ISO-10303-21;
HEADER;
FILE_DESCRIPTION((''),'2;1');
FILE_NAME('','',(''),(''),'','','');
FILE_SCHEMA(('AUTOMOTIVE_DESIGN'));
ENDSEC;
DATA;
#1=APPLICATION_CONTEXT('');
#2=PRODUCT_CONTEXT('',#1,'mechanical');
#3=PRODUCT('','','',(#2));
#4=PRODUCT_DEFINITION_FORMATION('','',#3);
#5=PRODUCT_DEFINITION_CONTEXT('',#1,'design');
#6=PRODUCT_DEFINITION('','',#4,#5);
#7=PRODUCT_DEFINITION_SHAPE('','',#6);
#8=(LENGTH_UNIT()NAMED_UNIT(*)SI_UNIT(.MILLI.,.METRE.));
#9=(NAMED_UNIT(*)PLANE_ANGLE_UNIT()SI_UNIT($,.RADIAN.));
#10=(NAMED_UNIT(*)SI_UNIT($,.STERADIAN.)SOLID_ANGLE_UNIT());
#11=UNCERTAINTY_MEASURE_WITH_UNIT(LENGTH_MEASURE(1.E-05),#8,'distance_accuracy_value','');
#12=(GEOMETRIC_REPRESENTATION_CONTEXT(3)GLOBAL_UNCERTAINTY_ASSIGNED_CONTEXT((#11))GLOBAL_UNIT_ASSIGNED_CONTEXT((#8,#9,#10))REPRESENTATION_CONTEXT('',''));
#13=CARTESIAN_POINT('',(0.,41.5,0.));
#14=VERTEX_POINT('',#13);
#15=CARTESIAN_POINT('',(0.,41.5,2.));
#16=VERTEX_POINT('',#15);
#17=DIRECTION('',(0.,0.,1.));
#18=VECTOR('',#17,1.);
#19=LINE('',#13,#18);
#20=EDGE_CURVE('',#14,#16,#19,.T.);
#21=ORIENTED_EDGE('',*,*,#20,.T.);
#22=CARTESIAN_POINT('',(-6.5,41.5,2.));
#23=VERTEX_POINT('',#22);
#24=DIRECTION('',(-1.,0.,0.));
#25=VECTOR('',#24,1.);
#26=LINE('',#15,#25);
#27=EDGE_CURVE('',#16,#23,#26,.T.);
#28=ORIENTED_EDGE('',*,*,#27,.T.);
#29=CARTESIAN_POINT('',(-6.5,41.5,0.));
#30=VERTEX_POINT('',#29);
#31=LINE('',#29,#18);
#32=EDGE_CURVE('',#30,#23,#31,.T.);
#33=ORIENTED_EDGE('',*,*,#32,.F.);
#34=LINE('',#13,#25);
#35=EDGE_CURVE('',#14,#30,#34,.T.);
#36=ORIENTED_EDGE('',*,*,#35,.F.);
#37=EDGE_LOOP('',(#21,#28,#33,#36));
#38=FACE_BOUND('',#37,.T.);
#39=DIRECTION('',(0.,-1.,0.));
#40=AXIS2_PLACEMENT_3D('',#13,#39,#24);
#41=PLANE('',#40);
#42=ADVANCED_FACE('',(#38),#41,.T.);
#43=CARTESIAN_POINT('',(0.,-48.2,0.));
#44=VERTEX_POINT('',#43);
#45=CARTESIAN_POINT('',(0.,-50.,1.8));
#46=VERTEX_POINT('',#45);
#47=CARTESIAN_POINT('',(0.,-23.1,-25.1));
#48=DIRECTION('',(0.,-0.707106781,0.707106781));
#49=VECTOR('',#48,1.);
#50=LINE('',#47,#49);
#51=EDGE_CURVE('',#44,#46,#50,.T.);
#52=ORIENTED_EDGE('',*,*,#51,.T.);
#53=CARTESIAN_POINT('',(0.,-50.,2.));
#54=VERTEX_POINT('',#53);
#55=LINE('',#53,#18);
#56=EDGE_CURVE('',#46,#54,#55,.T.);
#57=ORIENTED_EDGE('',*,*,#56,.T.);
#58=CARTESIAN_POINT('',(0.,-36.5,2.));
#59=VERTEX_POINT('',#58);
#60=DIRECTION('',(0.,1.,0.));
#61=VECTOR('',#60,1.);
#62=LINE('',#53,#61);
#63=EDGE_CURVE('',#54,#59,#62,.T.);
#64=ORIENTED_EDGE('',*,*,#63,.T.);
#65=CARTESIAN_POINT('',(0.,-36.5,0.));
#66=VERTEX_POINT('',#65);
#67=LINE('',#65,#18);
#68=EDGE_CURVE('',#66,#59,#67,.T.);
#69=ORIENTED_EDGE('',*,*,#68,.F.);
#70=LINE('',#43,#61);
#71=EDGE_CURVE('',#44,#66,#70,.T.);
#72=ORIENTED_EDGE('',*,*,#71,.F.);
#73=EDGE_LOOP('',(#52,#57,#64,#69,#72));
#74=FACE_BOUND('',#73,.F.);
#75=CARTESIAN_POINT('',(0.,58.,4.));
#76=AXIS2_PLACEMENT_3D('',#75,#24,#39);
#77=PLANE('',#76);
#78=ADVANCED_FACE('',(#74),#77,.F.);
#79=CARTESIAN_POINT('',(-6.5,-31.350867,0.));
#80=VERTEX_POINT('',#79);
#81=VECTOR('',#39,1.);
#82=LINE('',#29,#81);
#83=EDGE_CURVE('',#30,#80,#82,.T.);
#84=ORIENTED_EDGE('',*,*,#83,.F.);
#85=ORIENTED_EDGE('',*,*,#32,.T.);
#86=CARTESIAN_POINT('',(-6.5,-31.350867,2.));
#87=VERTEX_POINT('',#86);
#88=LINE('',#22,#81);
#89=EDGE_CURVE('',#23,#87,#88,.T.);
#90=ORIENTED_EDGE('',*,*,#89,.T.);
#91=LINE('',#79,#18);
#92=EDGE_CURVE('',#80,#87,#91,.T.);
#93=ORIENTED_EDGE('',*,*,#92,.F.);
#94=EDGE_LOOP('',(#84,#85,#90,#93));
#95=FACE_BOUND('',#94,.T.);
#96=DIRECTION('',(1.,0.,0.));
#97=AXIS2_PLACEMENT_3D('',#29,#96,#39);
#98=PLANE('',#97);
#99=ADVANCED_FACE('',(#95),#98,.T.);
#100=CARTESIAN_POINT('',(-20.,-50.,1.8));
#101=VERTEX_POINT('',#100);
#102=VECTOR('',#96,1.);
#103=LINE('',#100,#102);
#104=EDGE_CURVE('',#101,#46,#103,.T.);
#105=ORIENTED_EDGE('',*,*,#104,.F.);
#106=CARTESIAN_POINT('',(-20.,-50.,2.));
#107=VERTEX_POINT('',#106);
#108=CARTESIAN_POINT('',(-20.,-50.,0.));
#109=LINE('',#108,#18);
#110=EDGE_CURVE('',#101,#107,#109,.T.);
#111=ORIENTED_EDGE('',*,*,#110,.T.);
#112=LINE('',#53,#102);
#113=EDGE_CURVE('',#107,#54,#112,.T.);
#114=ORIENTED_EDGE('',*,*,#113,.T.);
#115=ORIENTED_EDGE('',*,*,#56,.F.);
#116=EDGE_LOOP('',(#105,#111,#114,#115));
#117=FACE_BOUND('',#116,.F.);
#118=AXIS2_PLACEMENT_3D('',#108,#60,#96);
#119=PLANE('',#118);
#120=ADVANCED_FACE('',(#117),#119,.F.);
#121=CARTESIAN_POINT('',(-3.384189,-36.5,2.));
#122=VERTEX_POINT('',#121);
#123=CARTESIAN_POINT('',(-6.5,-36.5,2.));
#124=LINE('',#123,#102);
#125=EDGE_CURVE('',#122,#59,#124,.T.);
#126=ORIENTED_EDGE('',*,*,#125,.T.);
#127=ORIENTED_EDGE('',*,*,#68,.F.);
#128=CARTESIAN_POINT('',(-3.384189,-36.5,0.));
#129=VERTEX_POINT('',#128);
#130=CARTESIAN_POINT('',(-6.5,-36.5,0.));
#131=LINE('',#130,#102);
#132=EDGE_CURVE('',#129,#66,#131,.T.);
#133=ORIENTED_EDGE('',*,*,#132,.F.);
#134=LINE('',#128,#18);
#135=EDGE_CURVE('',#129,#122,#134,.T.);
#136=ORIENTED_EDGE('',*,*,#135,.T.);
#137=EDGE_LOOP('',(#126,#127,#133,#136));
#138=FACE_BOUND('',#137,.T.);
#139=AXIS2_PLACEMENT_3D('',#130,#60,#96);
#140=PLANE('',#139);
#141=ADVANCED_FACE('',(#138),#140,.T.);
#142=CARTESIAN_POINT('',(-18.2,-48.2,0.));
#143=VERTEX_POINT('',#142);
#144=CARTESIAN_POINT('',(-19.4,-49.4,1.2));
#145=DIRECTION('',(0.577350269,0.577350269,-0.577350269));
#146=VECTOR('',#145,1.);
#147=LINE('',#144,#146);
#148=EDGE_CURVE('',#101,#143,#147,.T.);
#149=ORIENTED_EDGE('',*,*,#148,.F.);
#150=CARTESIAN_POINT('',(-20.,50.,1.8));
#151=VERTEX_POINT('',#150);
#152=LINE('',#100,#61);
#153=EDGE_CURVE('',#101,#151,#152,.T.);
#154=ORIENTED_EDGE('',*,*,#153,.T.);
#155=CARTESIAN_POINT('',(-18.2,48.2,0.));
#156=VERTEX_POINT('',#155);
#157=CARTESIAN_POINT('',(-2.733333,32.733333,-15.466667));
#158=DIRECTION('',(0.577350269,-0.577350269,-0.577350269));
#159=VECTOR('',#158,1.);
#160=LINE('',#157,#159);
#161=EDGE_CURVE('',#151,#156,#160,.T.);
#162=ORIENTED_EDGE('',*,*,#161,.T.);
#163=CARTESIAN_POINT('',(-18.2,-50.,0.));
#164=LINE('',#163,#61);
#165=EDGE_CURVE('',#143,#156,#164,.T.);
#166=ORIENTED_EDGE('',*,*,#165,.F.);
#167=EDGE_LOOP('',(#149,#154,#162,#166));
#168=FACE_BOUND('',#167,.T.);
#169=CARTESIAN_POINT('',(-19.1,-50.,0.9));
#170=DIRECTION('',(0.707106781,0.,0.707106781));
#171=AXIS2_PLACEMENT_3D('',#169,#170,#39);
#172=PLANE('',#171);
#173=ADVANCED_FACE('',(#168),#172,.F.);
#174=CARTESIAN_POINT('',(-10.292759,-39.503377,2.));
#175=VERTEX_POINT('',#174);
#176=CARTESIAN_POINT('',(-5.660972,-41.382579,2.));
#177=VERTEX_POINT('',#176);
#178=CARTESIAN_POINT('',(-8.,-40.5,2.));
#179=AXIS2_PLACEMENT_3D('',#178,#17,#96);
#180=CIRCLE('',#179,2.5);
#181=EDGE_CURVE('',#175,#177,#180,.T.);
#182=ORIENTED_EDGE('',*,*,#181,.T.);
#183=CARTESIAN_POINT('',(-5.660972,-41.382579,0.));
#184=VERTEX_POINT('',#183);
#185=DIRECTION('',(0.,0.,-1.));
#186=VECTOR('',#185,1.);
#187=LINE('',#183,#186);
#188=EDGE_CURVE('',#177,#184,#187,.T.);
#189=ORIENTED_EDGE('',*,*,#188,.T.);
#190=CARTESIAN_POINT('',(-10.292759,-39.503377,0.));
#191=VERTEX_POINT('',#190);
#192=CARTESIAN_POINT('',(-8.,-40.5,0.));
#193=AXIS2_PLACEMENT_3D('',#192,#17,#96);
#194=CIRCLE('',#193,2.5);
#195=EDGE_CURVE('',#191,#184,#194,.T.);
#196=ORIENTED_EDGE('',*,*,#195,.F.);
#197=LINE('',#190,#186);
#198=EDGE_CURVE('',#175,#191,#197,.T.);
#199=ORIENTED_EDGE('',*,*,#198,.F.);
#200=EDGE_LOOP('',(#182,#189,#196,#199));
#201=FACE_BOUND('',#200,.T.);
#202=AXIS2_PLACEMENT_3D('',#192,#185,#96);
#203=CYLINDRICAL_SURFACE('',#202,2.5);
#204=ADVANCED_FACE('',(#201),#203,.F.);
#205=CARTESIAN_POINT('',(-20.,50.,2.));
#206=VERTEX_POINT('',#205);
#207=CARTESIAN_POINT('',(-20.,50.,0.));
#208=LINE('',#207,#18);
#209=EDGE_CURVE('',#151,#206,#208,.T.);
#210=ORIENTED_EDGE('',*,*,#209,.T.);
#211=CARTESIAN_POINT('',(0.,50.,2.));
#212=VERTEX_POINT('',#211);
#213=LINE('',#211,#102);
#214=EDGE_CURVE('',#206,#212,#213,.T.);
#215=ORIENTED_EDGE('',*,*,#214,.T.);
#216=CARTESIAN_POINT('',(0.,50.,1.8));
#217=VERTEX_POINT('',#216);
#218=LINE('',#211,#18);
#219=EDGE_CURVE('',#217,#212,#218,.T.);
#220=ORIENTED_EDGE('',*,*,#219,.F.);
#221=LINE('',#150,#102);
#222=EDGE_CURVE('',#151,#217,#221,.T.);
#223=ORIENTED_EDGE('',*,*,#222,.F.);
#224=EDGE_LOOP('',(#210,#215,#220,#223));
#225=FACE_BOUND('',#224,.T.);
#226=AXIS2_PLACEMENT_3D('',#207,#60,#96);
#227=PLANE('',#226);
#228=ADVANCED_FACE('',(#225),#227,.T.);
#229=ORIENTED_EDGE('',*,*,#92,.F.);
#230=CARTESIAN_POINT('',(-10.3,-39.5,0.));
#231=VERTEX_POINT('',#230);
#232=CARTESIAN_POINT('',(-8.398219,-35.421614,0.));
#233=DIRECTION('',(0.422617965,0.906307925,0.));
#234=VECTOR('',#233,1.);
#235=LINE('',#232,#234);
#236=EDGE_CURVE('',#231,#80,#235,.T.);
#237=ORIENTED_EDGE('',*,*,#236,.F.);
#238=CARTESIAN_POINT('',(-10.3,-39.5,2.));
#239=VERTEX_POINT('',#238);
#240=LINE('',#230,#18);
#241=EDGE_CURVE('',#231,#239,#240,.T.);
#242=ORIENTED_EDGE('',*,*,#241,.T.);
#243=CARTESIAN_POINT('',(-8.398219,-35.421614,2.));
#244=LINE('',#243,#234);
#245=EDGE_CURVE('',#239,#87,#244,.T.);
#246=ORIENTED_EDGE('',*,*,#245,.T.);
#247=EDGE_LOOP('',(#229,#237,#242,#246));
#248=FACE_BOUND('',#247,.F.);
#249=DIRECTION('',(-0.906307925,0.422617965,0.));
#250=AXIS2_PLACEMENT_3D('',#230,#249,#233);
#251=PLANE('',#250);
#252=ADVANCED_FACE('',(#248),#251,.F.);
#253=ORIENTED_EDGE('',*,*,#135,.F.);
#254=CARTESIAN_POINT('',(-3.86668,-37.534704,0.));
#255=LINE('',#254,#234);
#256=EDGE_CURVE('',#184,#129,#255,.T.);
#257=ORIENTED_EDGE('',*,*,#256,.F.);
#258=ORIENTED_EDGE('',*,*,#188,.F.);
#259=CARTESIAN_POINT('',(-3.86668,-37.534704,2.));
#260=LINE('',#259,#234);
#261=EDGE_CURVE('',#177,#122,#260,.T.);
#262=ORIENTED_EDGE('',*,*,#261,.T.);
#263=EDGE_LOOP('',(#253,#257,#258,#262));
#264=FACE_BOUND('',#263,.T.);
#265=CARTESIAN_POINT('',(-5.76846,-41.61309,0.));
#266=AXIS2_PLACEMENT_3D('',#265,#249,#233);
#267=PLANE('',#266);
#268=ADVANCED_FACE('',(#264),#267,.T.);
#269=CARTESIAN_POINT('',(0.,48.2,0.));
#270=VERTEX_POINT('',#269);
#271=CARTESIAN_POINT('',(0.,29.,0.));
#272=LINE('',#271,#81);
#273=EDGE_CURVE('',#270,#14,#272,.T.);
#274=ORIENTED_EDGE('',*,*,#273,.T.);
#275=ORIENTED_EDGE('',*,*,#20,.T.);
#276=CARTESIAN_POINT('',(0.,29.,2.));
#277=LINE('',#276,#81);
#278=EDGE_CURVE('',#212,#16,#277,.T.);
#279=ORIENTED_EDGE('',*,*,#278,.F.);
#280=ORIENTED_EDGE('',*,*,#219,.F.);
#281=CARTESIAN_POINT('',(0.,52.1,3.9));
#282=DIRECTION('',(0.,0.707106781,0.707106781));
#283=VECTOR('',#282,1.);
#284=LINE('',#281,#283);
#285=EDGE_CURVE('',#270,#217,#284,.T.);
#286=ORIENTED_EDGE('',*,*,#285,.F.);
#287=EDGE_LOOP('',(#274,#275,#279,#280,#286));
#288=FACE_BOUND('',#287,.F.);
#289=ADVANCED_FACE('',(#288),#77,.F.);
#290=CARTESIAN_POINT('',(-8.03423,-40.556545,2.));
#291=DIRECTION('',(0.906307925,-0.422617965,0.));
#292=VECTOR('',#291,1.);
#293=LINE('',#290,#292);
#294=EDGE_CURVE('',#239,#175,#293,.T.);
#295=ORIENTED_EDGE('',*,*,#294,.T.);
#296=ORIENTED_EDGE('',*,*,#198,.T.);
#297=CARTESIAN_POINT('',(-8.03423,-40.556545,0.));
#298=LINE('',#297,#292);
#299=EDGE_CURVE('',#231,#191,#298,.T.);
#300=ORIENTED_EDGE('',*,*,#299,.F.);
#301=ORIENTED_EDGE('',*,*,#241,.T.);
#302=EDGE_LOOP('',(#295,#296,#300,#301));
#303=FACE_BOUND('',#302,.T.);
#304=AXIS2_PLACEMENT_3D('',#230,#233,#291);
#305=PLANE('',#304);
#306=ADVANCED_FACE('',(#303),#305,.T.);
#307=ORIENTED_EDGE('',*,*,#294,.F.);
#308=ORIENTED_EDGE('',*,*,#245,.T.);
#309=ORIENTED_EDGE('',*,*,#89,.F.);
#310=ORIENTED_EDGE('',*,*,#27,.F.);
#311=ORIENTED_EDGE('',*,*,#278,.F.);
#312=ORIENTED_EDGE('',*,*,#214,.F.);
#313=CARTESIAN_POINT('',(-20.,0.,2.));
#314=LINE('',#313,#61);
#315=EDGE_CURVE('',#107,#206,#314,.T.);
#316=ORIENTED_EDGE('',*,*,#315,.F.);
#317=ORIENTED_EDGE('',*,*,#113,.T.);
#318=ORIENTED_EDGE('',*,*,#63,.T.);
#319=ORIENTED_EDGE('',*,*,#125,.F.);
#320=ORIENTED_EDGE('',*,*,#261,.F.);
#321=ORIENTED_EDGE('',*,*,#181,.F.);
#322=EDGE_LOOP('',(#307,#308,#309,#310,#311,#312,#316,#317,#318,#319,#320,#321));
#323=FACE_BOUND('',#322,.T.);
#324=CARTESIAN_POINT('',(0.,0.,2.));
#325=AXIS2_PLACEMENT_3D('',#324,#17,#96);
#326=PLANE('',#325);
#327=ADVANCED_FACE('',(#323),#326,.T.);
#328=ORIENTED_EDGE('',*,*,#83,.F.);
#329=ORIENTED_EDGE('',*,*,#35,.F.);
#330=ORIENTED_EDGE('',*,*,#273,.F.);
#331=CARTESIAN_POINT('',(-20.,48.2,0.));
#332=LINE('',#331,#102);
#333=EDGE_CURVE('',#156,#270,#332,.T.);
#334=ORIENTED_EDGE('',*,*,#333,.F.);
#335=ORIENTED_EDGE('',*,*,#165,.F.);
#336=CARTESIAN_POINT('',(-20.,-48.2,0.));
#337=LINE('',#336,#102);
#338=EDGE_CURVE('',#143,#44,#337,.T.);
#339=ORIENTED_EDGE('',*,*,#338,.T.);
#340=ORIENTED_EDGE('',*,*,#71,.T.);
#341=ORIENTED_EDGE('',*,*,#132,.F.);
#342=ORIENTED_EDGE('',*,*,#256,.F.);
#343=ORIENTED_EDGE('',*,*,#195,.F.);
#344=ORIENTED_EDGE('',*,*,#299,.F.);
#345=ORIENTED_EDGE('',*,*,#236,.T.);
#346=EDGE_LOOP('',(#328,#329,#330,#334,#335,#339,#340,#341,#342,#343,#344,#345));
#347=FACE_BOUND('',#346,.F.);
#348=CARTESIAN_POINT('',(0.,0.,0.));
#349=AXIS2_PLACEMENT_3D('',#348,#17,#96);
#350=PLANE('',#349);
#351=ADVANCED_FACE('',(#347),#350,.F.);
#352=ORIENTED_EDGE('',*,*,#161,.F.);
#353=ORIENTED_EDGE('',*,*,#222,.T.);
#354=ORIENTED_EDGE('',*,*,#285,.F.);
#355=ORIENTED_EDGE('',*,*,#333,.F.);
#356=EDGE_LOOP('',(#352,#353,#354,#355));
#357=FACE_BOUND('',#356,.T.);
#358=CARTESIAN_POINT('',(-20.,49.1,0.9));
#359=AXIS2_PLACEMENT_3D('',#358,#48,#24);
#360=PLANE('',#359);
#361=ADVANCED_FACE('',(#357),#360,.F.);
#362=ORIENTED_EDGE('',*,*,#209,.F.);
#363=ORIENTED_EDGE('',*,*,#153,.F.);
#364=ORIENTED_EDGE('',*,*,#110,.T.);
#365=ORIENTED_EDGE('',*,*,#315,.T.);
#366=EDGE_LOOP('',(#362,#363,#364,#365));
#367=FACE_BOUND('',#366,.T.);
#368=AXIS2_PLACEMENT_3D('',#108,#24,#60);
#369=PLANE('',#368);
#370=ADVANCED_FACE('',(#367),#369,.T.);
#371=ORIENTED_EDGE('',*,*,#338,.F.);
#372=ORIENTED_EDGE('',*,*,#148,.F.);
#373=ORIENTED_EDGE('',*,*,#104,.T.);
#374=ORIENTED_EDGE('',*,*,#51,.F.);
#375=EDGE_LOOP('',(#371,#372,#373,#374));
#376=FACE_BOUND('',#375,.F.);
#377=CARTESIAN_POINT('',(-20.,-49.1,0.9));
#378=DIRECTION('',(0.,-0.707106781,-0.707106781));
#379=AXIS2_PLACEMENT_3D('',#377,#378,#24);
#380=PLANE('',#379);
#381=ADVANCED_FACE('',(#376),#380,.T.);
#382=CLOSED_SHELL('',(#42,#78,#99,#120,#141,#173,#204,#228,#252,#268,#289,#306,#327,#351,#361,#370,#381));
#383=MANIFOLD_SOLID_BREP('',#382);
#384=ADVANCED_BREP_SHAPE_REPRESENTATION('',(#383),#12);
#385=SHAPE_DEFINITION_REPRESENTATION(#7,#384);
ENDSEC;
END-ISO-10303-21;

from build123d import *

# Parameters (mm, degrees)
SKETCH_W     = 40
SKETCH_H     = 100
SKETCH_R     = 2.5
PAD_DEPTH    = 2
CHAMFER_SIZE = 1.8
BOX_W        = 22
BOX_H        = 119
BOX_DEPTH    = 7
BOX001_W     = 5
BOX001_H     = 9
BOX001_DEPTH = 2


with BuildPart() as part:
    # Sketch → Pad (new body)
    with BuildSketch(Plane.XY):
        Rectangle(SKETCH_W, SKETCH_H)
        with Locations((-8, -40.5)):
            Circle(SKETCH_R, mode=Mode.SUBTRACT)
        with Locations((8, 40.5)):
            Circle(SKETCH_R, mode=Mode.SUBTRACT)
        Polygon((6.5, -41.5), (6.5, 36.5), (0, 36.5), (0, 41.5), (-6.5, 41.5), (-6.5, -36.5), (0, -36.5), (0, -41.5), align=None, mode=Mode.SUBTRACT)
    extrude(amount=PAD_DEPTH)

    # Chamfer
    chamfer_edges = [part.edges().sort_by_distance(p)[0] for p in [
        (-20, 0, 0),
        (0, -50, 0),
        (20, 0, 0),
        (0, 50, 0),
    ]]
    chamfer(chamfer_edges, length=CHAMFER_SIZE)

    # Box → Box (cut)
    with BuildSketch(Plane(origin=(0, 58, 4), x_dir=(1, 0, 0), z_dir=(0, 0, -1))):
        with Locations((11, 59.5)):
            Rectangle(BOX_W, BOX_H)
    extrude(amount=BOX_DEPTH, mode=Mode.SUBTRACT)

    # Box001 → Box001 (cut)
    with BuildSketch(Plane(origin=(-10.3, -39.5, 0), x_dir=(0.906308, -0.422618, 0), z_dir=(0, 0, 1))):
        with Locations((2.5, 4.5)):
            Rectangle(BOX001_W, BOX001_H)
    extrude(amount=BOX001_DEPTH, mode=Mode.SUBTRACT)


solid = part.part
